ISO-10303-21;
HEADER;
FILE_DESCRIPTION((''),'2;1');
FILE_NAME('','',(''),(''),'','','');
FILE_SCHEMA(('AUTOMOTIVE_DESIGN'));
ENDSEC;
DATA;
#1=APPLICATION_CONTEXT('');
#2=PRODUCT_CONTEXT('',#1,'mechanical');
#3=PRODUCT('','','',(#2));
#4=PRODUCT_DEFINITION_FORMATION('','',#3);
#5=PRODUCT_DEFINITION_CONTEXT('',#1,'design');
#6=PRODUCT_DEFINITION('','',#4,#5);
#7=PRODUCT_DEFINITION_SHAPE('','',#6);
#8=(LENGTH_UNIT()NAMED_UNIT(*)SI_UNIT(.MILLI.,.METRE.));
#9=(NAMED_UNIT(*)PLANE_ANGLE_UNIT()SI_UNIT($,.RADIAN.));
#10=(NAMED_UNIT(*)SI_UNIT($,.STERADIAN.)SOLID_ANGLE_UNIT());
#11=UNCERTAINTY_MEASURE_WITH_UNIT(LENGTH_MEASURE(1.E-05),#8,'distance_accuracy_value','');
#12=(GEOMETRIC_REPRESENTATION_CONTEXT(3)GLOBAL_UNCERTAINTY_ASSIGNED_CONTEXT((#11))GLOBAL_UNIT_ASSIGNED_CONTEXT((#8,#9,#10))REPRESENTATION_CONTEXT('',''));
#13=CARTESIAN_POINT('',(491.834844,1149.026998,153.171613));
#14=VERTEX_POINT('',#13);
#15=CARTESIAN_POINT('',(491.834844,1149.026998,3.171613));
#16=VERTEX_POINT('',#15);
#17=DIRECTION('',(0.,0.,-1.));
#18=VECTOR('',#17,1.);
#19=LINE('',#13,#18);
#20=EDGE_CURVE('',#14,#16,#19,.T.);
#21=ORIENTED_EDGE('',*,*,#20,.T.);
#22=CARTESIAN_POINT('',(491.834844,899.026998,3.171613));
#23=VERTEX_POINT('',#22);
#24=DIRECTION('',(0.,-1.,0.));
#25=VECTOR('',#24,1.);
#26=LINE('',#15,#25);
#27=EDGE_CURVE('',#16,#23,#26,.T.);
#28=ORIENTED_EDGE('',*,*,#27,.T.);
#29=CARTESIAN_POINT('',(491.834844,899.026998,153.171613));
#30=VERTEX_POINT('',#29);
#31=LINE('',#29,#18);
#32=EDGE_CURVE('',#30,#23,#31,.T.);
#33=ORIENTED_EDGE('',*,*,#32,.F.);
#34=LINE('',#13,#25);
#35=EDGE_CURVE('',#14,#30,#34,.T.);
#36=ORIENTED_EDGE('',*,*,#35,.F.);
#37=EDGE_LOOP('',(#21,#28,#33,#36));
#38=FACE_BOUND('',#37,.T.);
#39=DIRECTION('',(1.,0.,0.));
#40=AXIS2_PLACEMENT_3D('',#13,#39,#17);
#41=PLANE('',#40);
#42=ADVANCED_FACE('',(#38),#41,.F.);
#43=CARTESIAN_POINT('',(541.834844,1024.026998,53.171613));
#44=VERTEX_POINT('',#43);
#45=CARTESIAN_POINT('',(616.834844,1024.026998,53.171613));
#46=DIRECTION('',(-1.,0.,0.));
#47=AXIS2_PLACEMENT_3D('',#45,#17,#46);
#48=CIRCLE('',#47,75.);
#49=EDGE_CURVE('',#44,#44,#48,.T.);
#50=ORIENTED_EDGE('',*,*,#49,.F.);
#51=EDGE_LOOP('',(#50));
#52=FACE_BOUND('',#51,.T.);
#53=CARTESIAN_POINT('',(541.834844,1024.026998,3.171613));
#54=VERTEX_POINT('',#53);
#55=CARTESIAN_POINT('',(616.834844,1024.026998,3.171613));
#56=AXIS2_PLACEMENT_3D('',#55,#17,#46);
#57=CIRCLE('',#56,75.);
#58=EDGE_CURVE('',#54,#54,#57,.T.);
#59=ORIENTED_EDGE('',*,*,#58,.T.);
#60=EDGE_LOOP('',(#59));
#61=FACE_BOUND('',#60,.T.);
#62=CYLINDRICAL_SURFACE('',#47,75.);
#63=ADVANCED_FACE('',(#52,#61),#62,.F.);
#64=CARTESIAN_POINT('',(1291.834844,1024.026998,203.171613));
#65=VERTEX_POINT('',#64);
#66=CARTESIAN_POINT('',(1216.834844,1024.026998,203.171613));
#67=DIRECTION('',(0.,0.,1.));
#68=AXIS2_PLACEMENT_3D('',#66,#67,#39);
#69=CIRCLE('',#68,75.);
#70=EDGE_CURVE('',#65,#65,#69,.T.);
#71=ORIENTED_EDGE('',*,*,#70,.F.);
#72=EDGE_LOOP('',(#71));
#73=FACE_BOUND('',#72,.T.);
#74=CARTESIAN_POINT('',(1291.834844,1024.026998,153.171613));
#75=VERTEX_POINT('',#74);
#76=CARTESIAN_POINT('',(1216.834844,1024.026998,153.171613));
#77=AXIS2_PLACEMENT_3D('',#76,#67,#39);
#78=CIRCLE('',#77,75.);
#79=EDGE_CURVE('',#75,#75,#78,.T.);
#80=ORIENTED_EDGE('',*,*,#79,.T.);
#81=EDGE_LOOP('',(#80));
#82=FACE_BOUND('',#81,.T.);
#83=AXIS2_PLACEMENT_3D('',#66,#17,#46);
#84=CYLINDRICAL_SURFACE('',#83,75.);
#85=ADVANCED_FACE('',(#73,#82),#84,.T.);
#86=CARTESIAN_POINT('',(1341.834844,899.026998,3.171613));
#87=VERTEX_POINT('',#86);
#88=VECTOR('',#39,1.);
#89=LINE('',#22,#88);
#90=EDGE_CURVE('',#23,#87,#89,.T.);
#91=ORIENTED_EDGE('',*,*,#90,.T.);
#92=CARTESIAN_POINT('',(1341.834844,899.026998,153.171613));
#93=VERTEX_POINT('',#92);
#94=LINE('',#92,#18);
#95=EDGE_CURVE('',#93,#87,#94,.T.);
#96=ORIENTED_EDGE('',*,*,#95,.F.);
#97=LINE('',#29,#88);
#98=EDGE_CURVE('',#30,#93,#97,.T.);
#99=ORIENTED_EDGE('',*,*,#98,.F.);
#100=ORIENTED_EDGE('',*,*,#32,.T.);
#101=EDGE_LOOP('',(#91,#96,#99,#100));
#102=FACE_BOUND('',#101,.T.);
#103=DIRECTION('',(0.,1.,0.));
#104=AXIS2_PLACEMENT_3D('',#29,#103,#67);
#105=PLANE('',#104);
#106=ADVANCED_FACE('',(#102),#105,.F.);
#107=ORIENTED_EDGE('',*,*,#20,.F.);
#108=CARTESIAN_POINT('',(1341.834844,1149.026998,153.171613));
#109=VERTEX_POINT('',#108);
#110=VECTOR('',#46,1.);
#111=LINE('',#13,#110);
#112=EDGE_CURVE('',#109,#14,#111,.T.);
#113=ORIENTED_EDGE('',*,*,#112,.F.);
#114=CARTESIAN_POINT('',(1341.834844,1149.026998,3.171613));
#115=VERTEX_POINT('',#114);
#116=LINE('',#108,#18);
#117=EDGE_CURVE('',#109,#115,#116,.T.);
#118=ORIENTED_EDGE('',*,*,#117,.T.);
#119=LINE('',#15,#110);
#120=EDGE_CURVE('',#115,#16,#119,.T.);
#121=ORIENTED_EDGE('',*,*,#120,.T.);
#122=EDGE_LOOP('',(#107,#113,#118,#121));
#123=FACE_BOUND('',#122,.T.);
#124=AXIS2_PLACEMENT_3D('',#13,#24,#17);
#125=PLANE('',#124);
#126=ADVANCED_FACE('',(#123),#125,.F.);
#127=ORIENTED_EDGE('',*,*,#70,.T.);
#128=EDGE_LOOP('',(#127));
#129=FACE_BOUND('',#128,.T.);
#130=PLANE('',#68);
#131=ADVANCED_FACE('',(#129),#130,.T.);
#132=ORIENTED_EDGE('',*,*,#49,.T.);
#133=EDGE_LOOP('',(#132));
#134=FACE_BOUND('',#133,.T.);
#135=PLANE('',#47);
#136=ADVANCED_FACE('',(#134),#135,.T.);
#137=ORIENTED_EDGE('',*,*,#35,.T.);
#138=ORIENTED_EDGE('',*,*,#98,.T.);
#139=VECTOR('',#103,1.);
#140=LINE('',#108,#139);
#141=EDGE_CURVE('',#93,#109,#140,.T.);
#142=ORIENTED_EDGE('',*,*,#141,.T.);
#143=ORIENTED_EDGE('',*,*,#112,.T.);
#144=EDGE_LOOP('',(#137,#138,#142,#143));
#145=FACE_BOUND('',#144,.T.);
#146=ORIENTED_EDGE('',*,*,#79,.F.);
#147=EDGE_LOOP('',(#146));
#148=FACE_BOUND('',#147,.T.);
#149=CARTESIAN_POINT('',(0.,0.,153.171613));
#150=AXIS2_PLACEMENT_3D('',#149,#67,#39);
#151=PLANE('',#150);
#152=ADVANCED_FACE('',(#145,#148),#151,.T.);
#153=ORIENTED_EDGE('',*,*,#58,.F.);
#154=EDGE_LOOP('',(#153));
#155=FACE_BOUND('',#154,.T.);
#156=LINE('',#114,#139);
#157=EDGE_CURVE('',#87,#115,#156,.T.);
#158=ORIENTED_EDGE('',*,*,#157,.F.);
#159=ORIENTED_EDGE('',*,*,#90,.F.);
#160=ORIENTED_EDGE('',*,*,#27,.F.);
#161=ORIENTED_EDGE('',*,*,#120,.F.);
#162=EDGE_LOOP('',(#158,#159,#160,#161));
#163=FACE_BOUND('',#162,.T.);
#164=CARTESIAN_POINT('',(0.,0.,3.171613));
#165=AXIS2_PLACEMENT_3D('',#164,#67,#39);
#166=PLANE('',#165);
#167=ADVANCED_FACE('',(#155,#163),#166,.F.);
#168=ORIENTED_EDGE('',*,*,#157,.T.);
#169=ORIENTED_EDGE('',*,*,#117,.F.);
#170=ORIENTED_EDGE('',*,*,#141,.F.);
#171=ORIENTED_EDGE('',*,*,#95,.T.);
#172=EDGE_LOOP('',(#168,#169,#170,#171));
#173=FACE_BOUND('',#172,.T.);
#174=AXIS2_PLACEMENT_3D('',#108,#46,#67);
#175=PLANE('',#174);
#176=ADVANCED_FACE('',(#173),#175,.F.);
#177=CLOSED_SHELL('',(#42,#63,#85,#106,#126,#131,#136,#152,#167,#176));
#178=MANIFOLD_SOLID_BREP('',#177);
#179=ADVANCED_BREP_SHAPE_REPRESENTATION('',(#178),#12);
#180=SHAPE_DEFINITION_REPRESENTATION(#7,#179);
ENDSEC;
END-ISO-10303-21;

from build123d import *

# Parameters (mm, degrees)
CROQUIS2_W              = 850
CROQUIS2_H              = 250
SALIENTE_EXTRUIR1_DEPTH = 150
CROQUIS3_R              = 75
CORTAR_EXTRUIR1_DEPTH   = 50
CROQUIS4_R              = 75
SALIENTE_EXTRUIR2_DEPTH = 50


with BuildPart() as part:
    # Croquis2 → Saliente-Extruir1 (new body)
    with BuildSketch(Plane.XY.offset(3.171613416)):
        with Locations((916.834843653, 1024.026997685)):
            Rectangle(CROQUIS2_W, CROQUIS2_H)
    extrude(amount=SALIENTE_EXTRUIR1_DEPTH)

    # Croquis3 → Cortar-Extruir1 (cut)
    with BuildSketch(Plane(origin=(0, 0, 3.171613416), x_dir=(-1, 0, 0), z_dir=(0, 0, -1))):
        with Locations((-616.834843653, 1024.026997685)):
            Circle(CROQUIS3_R)
    extrude(amount=-CORTAR_EXTRUIR1_DEPTH, mode=Mode.SUBTRACT)

    # Croquis4 → Saliente-Extruir2 (add)
    with BuildSketch(Plane.XY.offset(153.171613416)):
        with Locations((1216.834843653, 1024.026997685)):
            Circle(CROQUIS4_R)
    extrude(amount=SALIENTE_EXTRUIR2_DEPTH)


solid = part.part
